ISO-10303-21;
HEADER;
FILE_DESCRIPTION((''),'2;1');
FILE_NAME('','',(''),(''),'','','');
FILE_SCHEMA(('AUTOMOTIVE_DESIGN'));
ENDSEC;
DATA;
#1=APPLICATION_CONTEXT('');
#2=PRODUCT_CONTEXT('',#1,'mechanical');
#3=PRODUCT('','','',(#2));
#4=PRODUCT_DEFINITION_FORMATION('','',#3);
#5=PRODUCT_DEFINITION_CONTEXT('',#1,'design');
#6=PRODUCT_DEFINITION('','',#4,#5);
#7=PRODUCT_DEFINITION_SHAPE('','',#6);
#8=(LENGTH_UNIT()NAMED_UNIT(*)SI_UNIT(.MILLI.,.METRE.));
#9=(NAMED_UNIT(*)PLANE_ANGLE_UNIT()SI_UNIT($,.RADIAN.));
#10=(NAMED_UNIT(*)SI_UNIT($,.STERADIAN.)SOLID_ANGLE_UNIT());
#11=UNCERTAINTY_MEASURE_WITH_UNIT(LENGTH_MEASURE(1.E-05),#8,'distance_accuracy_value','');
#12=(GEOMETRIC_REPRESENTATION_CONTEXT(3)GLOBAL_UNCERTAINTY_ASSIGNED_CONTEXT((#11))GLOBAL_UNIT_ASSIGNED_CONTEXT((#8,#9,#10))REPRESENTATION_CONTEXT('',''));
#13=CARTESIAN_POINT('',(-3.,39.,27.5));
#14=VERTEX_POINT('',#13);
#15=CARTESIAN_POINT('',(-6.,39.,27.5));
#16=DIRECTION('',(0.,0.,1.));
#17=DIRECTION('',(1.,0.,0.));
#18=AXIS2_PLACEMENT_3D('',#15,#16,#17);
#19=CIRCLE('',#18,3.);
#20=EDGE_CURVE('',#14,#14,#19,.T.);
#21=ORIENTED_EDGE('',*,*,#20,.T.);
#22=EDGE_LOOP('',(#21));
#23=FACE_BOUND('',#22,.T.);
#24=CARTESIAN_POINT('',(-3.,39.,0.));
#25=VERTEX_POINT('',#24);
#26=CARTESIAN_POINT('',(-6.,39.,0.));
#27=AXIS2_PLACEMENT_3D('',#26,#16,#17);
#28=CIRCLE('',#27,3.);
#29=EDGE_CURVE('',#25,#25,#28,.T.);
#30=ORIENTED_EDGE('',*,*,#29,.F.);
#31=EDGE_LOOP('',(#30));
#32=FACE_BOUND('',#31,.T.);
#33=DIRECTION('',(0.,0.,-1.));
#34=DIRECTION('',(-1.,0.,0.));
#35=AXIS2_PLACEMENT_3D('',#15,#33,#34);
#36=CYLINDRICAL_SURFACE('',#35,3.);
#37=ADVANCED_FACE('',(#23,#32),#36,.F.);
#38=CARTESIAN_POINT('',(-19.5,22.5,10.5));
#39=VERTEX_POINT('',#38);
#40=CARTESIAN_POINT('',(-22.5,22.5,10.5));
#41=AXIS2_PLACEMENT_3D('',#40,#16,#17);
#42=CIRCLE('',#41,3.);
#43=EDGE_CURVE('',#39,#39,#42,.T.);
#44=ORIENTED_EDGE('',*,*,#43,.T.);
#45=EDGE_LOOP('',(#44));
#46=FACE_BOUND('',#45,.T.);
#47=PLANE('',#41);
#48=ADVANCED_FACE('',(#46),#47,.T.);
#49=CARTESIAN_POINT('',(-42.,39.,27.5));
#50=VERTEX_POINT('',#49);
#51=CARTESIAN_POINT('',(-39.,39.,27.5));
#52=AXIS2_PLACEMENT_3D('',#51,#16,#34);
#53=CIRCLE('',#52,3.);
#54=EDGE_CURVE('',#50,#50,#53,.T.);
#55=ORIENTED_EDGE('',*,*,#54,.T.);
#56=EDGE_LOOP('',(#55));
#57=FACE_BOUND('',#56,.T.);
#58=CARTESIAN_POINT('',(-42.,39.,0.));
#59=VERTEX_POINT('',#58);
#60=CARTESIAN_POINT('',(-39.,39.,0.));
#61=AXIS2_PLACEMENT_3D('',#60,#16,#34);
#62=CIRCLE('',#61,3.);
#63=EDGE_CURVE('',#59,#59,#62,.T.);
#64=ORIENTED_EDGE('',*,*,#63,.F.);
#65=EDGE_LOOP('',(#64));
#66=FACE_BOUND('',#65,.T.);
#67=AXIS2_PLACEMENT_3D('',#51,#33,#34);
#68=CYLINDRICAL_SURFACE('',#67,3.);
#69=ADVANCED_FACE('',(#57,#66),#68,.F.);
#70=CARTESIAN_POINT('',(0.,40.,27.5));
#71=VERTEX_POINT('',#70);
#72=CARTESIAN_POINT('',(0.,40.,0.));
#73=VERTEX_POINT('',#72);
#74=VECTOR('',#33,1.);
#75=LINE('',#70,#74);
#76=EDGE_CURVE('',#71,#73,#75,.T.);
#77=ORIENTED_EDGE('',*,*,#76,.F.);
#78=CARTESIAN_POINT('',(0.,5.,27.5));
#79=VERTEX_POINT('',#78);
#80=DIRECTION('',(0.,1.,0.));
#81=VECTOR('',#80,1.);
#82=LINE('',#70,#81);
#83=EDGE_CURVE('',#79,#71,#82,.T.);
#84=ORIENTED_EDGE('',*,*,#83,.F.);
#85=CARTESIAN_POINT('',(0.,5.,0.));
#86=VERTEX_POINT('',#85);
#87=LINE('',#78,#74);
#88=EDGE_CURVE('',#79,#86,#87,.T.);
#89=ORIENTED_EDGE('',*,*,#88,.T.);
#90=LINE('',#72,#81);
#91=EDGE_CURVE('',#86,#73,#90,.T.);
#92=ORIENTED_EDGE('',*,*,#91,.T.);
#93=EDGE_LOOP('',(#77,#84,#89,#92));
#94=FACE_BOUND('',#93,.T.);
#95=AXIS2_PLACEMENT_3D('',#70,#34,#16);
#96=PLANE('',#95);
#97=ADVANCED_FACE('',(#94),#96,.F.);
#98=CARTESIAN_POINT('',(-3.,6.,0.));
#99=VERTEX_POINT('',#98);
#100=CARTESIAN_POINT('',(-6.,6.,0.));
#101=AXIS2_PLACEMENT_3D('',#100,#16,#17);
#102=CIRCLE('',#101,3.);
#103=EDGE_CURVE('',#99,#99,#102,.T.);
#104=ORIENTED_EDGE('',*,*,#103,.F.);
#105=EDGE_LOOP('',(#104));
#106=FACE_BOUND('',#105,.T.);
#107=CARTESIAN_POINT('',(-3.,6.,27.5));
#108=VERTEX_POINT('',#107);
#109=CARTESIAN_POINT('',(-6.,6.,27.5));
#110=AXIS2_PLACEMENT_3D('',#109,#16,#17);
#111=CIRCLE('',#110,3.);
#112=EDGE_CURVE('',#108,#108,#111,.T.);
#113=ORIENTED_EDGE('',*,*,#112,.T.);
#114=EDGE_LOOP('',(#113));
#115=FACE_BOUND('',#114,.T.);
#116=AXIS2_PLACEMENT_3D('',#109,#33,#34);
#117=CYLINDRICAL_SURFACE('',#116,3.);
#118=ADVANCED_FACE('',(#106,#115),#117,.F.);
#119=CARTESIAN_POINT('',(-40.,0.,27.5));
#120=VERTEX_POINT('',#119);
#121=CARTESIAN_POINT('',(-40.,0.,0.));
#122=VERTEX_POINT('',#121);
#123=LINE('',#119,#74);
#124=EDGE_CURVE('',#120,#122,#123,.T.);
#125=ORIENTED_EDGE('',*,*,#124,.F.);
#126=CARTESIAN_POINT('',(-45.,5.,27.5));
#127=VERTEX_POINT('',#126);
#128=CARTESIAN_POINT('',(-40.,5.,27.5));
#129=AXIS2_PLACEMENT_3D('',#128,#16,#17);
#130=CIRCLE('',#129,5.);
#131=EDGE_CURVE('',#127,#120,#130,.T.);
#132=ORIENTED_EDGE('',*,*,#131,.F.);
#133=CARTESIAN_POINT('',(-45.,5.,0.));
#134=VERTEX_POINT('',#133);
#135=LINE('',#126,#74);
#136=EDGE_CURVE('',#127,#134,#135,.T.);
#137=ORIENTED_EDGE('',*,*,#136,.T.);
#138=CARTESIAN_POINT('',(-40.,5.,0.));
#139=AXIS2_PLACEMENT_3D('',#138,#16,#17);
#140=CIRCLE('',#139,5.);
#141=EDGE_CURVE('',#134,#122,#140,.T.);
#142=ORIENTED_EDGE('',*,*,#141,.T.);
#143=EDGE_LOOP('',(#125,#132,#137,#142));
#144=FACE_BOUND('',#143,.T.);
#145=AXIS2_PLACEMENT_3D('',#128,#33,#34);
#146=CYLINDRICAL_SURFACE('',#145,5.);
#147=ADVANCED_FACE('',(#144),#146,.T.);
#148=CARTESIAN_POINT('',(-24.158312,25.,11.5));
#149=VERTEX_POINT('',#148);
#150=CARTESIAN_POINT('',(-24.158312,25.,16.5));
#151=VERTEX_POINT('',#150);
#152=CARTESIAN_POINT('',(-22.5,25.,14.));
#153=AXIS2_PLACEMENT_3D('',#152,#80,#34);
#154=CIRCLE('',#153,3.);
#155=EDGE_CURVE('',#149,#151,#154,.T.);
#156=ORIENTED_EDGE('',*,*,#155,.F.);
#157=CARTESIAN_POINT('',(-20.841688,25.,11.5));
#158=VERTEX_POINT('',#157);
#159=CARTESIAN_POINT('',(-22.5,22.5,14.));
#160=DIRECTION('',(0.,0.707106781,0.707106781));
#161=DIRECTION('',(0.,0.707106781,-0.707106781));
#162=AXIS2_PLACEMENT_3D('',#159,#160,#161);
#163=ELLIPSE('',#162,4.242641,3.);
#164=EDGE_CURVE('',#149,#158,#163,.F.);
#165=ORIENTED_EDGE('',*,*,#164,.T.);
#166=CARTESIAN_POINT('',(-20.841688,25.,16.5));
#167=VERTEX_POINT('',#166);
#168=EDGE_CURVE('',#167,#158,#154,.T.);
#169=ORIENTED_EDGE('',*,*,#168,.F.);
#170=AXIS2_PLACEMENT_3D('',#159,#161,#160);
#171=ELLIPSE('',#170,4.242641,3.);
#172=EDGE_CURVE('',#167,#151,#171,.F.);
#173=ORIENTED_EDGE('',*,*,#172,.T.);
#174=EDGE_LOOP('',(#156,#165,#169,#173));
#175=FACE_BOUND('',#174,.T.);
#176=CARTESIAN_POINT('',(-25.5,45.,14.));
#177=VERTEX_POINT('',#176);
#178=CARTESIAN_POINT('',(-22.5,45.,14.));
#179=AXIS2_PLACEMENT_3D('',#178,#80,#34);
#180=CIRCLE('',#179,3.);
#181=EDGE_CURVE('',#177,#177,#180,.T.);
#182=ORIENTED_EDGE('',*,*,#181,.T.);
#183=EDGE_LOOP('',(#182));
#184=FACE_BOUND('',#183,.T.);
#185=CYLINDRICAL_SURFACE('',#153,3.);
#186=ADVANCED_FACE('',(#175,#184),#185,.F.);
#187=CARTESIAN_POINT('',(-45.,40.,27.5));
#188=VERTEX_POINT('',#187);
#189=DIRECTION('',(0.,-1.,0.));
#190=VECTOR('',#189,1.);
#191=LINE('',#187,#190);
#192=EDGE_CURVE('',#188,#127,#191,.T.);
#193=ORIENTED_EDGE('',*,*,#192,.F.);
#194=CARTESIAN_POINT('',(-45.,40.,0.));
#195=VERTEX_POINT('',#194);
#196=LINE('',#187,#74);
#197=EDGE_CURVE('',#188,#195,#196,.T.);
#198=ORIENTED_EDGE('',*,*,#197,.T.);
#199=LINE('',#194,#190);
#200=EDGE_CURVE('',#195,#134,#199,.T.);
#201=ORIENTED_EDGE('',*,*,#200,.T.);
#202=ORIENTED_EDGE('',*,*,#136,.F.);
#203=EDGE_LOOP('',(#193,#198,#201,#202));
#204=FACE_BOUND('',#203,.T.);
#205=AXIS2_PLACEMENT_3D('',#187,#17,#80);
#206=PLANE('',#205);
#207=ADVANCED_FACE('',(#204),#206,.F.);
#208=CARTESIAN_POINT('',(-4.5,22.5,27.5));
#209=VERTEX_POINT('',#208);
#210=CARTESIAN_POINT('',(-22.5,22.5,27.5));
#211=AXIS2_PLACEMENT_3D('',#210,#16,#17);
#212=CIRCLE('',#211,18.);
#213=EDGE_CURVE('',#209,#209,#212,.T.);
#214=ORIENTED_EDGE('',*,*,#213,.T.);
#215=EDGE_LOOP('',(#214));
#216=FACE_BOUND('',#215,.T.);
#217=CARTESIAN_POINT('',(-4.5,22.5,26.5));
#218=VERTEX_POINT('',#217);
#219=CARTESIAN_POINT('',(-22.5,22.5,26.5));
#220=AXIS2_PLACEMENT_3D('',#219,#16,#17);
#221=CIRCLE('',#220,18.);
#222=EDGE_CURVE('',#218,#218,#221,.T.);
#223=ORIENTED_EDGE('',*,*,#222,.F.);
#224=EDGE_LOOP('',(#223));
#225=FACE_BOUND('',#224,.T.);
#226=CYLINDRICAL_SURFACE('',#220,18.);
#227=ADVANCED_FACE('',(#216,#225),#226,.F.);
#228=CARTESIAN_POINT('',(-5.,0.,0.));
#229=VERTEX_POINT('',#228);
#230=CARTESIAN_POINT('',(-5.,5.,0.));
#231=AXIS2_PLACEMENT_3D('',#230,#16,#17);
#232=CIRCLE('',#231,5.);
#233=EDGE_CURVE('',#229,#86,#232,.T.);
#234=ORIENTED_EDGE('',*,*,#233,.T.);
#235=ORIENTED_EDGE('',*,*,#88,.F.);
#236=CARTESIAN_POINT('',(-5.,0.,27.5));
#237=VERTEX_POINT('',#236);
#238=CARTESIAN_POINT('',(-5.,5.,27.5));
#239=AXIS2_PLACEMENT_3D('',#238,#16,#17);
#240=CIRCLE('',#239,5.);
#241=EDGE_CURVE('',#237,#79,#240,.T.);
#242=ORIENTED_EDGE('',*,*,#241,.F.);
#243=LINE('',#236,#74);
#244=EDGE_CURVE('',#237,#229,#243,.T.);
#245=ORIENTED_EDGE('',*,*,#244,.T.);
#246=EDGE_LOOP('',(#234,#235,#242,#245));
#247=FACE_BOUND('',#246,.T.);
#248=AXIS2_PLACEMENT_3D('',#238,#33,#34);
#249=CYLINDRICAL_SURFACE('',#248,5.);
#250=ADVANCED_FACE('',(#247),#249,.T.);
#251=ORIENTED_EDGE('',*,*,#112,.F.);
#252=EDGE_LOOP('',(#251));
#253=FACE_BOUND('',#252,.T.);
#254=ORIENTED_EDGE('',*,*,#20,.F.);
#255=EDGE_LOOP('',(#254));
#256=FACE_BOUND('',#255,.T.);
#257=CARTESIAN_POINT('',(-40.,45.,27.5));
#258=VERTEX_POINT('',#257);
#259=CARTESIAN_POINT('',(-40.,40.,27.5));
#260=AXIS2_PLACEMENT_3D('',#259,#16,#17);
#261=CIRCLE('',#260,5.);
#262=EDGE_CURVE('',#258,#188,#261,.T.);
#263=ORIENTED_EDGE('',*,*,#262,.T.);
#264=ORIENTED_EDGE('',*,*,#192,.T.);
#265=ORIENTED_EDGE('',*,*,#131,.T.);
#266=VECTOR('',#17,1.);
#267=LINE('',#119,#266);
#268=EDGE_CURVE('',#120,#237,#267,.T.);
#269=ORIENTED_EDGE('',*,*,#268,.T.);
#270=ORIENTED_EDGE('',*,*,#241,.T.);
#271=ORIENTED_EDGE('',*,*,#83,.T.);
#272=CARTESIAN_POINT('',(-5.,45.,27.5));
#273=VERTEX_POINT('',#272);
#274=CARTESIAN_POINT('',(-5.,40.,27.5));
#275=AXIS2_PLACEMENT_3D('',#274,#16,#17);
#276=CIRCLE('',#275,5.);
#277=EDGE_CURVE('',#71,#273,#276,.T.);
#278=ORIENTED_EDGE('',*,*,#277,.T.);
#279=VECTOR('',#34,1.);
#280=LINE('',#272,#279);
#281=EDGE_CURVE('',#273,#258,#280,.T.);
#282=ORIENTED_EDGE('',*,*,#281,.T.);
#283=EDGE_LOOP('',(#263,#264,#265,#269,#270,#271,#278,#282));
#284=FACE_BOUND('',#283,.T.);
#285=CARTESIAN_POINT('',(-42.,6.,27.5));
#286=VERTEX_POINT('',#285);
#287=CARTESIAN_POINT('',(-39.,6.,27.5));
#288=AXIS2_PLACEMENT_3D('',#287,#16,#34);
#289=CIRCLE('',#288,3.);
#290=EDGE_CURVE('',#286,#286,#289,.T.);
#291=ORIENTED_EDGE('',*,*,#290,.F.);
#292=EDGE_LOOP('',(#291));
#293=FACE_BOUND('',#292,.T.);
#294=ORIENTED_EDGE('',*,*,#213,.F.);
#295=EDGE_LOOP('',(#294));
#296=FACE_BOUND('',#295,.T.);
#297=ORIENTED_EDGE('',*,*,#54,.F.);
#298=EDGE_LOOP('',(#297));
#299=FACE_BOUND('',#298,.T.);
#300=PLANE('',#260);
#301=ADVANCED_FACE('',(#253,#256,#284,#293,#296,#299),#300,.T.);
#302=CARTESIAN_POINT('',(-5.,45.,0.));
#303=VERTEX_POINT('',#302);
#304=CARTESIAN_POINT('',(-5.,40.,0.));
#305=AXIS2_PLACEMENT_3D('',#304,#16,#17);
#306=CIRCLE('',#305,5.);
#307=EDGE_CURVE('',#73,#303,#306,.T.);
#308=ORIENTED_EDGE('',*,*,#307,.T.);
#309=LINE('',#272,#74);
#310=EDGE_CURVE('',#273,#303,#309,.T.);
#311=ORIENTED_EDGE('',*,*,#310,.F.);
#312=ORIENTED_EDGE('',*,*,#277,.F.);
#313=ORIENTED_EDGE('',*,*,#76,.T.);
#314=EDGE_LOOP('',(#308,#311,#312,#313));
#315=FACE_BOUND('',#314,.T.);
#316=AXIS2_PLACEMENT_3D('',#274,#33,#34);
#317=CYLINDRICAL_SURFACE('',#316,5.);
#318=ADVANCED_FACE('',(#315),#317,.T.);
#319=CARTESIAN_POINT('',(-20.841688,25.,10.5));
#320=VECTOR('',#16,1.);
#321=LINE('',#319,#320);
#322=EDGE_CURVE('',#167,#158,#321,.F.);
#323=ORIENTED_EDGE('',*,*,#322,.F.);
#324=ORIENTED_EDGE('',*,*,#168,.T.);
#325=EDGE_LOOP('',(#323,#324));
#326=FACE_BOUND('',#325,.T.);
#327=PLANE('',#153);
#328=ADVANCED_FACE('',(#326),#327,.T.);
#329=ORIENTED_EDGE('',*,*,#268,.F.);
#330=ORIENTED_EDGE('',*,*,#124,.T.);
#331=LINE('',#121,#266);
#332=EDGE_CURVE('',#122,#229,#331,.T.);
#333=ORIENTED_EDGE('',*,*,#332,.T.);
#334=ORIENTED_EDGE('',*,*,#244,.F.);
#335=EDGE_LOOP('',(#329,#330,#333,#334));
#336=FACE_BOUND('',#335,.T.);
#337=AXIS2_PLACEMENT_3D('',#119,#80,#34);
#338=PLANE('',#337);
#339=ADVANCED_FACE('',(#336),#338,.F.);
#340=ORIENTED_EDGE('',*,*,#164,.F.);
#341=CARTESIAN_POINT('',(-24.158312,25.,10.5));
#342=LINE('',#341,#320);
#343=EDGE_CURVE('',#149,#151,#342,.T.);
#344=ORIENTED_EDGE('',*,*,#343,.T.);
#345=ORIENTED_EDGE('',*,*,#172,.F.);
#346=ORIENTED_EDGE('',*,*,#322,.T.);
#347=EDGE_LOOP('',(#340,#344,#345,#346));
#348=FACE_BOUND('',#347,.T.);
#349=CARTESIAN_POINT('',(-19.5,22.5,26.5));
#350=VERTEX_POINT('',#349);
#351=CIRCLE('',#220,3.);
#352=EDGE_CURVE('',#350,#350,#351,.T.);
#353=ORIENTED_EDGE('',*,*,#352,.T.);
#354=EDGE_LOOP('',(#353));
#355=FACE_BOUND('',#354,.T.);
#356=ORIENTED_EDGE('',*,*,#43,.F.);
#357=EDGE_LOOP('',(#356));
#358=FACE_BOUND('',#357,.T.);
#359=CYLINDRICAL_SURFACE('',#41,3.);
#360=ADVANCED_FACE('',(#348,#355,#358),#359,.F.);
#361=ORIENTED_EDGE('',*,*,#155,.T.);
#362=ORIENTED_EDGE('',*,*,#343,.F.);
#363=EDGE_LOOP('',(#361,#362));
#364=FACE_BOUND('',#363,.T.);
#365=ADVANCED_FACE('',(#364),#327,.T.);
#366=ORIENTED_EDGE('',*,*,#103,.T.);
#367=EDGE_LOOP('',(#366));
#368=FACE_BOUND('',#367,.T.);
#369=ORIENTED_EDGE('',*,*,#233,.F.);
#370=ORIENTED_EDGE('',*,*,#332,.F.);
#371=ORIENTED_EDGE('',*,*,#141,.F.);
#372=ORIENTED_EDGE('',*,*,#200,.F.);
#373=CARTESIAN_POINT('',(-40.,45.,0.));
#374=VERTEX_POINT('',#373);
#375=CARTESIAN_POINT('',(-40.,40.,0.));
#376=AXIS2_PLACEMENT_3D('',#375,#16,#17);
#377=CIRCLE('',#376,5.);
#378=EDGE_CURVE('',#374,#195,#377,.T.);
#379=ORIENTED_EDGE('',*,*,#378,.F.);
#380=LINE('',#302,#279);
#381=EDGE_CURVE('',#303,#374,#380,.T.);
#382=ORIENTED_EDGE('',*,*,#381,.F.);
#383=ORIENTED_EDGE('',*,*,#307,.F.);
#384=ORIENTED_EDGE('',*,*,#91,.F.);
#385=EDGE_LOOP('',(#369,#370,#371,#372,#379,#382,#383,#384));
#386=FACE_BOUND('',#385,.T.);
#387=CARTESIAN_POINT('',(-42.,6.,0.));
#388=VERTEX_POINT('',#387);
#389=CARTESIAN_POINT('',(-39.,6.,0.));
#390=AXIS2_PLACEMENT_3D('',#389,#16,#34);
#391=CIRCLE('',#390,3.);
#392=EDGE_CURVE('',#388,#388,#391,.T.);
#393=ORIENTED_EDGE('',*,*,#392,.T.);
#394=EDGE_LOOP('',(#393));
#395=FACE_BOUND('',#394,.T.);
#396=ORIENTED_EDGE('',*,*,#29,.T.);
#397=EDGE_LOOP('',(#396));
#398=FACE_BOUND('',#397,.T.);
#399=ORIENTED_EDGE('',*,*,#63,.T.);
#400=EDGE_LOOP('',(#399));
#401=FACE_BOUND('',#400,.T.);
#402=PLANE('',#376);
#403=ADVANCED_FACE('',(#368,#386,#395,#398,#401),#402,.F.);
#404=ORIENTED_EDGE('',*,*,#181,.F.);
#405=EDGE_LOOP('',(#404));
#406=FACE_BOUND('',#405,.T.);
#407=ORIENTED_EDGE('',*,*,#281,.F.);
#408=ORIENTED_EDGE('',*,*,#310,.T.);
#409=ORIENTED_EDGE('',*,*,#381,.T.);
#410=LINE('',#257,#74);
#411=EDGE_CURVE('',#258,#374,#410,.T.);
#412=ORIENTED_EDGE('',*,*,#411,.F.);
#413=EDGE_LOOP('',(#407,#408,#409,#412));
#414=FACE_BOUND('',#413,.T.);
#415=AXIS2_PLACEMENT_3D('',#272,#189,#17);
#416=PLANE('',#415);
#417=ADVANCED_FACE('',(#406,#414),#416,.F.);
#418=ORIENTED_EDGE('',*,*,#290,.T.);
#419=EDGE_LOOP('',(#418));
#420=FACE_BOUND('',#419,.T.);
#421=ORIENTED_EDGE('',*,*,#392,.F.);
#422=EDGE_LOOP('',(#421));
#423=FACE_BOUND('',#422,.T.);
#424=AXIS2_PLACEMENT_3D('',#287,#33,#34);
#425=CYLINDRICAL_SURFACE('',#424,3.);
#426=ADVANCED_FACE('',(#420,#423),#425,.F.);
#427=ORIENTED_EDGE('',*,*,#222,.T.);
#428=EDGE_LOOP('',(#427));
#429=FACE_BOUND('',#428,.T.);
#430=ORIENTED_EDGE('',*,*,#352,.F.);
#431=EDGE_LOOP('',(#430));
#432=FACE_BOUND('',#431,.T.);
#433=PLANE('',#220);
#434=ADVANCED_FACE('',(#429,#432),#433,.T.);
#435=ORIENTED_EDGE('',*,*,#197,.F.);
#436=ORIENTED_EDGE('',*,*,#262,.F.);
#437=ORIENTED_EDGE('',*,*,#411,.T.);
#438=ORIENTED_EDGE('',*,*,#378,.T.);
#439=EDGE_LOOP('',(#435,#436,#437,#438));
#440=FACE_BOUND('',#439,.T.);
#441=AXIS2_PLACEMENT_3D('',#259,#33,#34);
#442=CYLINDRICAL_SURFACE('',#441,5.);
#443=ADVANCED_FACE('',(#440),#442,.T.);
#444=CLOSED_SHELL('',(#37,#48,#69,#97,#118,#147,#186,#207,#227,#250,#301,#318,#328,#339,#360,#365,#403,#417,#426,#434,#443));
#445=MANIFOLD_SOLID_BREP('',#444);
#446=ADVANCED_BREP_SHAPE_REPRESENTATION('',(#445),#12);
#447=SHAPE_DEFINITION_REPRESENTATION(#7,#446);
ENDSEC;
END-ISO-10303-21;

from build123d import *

# Parameters (mm, degrees)
SKETCH1_R           = 3
BOSS_EXTRUDE1_DEPTH = 27.5
SKETCH3_R           = 18
CUT_EXTRUDE1_DEPTH  = 1
SKETCH7_R           = 3
CUT_EXTRUDE2_DEPTH  = 20
SKETCH8_R           = 3
CUT_EXTRUDE3_DEPTH  = 16


with BuildPart() as part:
    # Sketch1 → Boss-Extrude1 (new body)
    with BuildSketch(Plane.XY):
        with BuildLine():
            Line((0, 40), (0, 5))
            ThreePointArc((0, 5), (-1.464466094, 1.464466094), (-5, 0))
            Line((-5, 0), (-40, 0))
            ThreePointArc((-40, 0), (-43.535533906, 1.464466094), (-45, 5))
            Line((-45, 5), (-45, 40))
            ThreePointArc((-45, 40), (-43.535533906, 43.535533906), (-40, 45))
            Line((-40, 45), (-5, 45))
            ThreePointArc((-5, 45), (-1.464466094, 43.535533906), (0, 40))
        make_face()
        with Locations((-6, 39)):
            Circle(SKETCH1_R, mode=Mode.SUBTRACT)
        with Locations((-6, 6)):
            Circle(SKETCH1_R, mode=Mode.SUBTRACT)
        with Locations((-39, 6)):
            Circle(SKETCH1_R, mode=Mode.SUBTRACT)
        with Locations((-39, 39)):
            Circle(SKETCH1_R, mode=Mode.SUBTRACT)
    extrude(amount=BOSS_EXTRUDE1_DEPTH)

    # Sketch3 → Cut-Extrude1 (cut)
    with BuildSketch(Plane.XY.offset(27.5)):
        with Locations((-22.5, 22.5)):
            Circle(SKETCH3_R)
    extrude(amount=-CUT_EXTRUDE1_DEPTH, mode=Mode.SUBTRACT)

    # Sketch7 → Cut-Extrude2 (cut)
    with BuildSketch(Plane(origin=(0, 45, 0), x_dir=(1, 0, 0), z_dir=(0, 1, 0))):
        with Locations((-22.5, -14)):
            Circle(SKETCH7_R)
    extrude(amount=-CUT_EXTRUDE2_DEPTH, mode=Mode.SUBTRACT)

    # Sketch8 → Cut-Extrude3 (cut)
    with BuildSketch(Plane.XY.offset(26.5)):
        with Locations((-22.5, 22.5)):
            Circle(SKETCH8_R)
    extrude(amount=-CUT_EXTRUDE3_DEPTH, mode=Mode.SUBTRACT)


solid = part.part
